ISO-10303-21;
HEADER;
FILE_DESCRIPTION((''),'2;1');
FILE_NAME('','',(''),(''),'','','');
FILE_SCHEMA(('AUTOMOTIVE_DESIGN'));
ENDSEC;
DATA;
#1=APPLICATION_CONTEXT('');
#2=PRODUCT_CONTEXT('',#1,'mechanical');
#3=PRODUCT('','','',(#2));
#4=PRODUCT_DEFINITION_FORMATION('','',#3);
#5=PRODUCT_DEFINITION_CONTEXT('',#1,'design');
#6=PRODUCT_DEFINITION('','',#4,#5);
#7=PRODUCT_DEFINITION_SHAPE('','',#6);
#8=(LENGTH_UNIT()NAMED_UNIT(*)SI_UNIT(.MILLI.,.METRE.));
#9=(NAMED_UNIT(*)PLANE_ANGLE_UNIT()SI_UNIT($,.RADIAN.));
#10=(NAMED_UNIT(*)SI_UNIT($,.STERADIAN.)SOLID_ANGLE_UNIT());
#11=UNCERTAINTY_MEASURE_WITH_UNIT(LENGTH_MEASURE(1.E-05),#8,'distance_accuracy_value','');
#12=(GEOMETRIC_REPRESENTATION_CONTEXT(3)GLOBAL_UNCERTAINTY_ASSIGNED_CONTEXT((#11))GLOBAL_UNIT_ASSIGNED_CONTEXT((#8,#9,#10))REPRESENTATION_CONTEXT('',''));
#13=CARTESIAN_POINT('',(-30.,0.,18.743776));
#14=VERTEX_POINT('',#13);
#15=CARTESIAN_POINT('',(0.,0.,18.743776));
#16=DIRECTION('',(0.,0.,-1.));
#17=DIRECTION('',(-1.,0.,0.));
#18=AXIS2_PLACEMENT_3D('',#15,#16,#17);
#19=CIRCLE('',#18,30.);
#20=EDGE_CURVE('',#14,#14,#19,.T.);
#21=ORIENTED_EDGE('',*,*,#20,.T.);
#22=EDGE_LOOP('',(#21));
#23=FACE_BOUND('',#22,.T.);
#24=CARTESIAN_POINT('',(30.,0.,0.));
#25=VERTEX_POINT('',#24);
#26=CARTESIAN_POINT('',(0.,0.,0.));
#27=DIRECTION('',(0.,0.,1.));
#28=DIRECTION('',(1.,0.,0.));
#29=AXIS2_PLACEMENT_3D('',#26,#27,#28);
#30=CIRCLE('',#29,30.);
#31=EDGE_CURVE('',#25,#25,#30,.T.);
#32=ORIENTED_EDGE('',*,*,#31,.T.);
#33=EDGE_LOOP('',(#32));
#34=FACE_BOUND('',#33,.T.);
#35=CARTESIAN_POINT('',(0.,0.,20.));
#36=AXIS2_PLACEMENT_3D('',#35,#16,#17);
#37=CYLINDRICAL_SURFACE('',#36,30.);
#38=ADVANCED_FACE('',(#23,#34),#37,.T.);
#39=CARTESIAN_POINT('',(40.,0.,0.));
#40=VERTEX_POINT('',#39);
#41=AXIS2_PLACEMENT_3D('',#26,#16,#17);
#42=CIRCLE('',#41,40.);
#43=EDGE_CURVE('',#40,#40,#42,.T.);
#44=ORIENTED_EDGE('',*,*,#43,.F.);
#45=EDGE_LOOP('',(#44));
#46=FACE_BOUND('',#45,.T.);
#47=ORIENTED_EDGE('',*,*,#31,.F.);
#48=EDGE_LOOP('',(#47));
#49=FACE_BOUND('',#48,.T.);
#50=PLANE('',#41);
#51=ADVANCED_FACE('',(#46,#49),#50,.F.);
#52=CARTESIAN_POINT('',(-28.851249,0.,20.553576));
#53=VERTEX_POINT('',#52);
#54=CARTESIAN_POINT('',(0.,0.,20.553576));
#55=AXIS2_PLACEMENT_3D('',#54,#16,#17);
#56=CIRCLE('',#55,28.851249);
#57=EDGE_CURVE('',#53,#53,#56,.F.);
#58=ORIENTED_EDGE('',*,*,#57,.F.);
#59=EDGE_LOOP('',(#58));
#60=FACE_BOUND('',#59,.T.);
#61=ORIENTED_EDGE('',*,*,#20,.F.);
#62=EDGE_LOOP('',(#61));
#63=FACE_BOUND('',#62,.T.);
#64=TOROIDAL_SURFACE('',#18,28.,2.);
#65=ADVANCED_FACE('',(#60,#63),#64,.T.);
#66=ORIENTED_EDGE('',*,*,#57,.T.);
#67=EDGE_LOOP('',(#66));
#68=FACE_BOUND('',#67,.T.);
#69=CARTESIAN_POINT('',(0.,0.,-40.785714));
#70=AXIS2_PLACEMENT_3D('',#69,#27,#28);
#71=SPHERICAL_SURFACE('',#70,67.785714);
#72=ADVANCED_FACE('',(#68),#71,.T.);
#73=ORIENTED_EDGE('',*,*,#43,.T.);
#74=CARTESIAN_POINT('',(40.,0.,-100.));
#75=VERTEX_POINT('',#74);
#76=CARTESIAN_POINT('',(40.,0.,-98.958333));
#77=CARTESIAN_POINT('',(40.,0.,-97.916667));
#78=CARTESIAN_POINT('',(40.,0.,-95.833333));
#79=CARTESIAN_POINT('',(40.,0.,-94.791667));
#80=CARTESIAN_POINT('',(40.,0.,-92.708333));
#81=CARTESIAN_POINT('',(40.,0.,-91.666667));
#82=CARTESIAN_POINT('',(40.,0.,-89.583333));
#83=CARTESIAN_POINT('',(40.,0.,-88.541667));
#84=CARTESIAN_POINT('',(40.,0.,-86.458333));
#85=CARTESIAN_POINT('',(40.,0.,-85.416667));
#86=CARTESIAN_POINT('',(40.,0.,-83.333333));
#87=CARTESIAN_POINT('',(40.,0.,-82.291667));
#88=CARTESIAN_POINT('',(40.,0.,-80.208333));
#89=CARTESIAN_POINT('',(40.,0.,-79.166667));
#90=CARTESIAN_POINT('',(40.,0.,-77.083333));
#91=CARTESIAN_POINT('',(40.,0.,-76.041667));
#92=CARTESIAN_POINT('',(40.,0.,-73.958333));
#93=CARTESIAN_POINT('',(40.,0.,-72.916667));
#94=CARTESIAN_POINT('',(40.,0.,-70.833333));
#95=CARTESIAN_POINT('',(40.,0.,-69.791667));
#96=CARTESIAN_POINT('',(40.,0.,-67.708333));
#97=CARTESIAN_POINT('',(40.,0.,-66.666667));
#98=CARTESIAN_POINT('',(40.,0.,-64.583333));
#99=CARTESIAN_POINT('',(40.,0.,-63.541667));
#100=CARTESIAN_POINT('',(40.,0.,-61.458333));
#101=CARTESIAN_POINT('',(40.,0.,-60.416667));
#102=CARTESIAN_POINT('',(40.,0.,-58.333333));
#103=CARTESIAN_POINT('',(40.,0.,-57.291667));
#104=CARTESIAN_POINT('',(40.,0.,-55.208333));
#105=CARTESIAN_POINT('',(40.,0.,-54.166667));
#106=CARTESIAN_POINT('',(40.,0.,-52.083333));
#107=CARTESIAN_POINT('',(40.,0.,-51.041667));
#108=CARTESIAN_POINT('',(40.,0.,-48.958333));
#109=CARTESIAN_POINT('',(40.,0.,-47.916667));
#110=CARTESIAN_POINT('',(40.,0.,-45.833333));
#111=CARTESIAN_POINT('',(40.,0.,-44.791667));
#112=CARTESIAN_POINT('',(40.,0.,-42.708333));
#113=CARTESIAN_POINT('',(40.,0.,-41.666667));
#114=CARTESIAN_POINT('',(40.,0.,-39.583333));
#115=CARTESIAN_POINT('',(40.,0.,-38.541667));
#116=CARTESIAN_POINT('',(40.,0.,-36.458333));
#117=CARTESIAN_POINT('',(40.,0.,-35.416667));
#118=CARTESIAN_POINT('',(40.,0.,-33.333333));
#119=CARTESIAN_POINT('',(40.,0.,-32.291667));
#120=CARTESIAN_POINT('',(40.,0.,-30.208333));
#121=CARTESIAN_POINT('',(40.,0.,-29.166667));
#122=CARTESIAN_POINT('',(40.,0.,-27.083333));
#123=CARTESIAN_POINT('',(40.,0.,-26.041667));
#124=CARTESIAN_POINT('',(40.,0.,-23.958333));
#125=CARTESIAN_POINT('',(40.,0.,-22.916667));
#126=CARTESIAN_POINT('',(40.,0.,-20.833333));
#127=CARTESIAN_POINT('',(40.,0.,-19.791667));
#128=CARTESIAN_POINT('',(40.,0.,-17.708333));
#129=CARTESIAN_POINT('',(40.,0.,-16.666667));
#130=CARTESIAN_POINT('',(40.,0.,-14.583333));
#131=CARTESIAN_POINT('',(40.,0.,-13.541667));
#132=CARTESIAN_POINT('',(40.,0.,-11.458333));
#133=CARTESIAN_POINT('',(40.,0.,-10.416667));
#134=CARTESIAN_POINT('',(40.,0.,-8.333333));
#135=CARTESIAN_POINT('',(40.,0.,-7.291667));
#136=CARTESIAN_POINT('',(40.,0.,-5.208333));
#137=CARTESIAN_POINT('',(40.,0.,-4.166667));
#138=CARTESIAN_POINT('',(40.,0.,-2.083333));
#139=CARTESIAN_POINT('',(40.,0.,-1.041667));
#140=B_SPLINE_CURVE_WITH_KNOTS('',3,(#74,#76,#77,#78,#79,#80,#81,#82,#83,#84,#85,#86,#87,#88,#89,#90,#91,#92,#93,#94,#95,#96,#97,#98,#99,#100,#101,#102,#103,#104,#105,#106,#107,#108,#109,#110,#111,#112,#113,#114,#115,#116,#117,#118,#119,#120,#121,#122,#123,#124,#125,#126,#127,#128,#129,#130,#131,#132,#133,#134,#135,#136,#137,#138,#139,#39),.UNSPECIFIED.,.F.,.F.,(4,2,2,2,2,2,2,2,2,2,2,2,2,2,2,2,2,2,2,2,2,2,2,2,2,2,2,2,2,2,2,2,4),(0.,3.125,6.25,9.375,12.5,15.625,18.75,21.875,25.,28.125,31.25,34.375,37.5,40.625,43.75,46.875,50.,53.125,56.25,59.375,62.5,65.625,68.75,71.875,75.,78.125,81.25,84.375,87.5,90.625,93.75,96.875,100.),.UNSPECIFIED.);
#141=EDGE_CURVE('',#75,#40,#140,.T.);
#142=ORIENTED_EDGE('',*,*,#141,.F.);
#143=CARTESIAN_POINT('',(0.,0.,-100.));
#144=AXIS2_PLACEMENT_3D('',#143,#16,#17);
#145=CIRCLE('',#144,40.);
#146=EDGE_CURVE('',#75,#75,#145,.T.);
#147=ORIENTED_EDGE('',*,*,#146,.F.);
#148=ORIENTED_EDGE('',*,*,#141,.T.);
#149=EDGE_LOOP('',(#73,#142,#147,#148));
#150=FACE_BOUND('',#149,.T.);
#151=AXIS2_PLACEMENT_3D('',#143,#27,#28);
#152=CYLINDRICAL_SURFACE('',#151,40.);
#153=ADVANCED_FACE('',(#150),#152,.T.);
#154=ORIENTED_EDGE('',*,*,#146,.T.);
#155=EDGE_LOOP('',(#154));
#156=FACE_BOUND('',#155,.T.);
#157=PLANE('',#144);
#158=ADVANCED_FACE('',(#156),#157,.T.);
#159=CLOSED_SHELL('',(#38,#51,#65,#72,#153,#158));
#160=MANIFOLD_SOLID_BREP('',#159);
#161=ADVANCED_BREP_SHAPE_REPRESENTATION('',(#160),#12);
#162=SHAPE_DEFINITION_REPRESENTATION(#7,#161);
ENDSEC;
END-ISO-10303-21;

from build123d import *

# Parameters (mm, degrees)
SKETCH1_R           = 30
BOSS_EXTRUDE1_DEPTH = 20
DOME1_FACE_RADIUS   = 30
DOME1_HEIGHT        = 7
SKETCH2_R           = 40
BOSS_EXTRUDE2_DEPTH = 100
FILLET1_R           = 2


with BuildPart() as part:
    # Sketch1 → Boss-Extrude1 (new body)
    with BuildSketch(Plane.XY):
        Circle(SKETCH1_R)
    extrude(amount=BOSS_EXTRUDE1_DEPTH)

    # Dome1: a dome of height H over a round flat face of radius A is a cap of a sphere of radius (A * A + H * H) / (2 * H)
    dome1_r = (DOME1_FACE_RADIUS * DOME1_FACE_RADIUS + DOME1_HEIGHT * DOME1_HEIGHT) / (2 * DOME1_HEIGHT)
    dome1_base = Plane((0, 0, 20), z_dir=(0, 0, 1))
    with Locations(dome1_base.offset(DOME1_HEIGHT - dome1_r)):
        dome1_ball = Sphere(dome1_r, mode=Mode.PRIVATE)
    add(split(dome1_ball, bisect_by=dome1_base, keep=Keep.TOP, mode=Mode.PRIVATE))

    # Sketch2 → Boss-Extrude2 (add)
    with BuildSketch(Plane(origin=(0, 0, 0), x_dir=(-1, 0, 0), z_dir=(0, 0, -1))):
        with Locations(Location((0, 0, 0), (0, 0, 180))):
            Circle(SKETCH2_R)
    extrude(amount=BOSS_EXTRUDE2_DEPTH)

    # Fillet1
    fillet1_edges = [part.edges().sort_by_distance(p)[0] for p in [
        (-30, 0, 20),
    ]]
    fillet(fillet1_edges, radius=FILLET1_R)


solid = part.part
